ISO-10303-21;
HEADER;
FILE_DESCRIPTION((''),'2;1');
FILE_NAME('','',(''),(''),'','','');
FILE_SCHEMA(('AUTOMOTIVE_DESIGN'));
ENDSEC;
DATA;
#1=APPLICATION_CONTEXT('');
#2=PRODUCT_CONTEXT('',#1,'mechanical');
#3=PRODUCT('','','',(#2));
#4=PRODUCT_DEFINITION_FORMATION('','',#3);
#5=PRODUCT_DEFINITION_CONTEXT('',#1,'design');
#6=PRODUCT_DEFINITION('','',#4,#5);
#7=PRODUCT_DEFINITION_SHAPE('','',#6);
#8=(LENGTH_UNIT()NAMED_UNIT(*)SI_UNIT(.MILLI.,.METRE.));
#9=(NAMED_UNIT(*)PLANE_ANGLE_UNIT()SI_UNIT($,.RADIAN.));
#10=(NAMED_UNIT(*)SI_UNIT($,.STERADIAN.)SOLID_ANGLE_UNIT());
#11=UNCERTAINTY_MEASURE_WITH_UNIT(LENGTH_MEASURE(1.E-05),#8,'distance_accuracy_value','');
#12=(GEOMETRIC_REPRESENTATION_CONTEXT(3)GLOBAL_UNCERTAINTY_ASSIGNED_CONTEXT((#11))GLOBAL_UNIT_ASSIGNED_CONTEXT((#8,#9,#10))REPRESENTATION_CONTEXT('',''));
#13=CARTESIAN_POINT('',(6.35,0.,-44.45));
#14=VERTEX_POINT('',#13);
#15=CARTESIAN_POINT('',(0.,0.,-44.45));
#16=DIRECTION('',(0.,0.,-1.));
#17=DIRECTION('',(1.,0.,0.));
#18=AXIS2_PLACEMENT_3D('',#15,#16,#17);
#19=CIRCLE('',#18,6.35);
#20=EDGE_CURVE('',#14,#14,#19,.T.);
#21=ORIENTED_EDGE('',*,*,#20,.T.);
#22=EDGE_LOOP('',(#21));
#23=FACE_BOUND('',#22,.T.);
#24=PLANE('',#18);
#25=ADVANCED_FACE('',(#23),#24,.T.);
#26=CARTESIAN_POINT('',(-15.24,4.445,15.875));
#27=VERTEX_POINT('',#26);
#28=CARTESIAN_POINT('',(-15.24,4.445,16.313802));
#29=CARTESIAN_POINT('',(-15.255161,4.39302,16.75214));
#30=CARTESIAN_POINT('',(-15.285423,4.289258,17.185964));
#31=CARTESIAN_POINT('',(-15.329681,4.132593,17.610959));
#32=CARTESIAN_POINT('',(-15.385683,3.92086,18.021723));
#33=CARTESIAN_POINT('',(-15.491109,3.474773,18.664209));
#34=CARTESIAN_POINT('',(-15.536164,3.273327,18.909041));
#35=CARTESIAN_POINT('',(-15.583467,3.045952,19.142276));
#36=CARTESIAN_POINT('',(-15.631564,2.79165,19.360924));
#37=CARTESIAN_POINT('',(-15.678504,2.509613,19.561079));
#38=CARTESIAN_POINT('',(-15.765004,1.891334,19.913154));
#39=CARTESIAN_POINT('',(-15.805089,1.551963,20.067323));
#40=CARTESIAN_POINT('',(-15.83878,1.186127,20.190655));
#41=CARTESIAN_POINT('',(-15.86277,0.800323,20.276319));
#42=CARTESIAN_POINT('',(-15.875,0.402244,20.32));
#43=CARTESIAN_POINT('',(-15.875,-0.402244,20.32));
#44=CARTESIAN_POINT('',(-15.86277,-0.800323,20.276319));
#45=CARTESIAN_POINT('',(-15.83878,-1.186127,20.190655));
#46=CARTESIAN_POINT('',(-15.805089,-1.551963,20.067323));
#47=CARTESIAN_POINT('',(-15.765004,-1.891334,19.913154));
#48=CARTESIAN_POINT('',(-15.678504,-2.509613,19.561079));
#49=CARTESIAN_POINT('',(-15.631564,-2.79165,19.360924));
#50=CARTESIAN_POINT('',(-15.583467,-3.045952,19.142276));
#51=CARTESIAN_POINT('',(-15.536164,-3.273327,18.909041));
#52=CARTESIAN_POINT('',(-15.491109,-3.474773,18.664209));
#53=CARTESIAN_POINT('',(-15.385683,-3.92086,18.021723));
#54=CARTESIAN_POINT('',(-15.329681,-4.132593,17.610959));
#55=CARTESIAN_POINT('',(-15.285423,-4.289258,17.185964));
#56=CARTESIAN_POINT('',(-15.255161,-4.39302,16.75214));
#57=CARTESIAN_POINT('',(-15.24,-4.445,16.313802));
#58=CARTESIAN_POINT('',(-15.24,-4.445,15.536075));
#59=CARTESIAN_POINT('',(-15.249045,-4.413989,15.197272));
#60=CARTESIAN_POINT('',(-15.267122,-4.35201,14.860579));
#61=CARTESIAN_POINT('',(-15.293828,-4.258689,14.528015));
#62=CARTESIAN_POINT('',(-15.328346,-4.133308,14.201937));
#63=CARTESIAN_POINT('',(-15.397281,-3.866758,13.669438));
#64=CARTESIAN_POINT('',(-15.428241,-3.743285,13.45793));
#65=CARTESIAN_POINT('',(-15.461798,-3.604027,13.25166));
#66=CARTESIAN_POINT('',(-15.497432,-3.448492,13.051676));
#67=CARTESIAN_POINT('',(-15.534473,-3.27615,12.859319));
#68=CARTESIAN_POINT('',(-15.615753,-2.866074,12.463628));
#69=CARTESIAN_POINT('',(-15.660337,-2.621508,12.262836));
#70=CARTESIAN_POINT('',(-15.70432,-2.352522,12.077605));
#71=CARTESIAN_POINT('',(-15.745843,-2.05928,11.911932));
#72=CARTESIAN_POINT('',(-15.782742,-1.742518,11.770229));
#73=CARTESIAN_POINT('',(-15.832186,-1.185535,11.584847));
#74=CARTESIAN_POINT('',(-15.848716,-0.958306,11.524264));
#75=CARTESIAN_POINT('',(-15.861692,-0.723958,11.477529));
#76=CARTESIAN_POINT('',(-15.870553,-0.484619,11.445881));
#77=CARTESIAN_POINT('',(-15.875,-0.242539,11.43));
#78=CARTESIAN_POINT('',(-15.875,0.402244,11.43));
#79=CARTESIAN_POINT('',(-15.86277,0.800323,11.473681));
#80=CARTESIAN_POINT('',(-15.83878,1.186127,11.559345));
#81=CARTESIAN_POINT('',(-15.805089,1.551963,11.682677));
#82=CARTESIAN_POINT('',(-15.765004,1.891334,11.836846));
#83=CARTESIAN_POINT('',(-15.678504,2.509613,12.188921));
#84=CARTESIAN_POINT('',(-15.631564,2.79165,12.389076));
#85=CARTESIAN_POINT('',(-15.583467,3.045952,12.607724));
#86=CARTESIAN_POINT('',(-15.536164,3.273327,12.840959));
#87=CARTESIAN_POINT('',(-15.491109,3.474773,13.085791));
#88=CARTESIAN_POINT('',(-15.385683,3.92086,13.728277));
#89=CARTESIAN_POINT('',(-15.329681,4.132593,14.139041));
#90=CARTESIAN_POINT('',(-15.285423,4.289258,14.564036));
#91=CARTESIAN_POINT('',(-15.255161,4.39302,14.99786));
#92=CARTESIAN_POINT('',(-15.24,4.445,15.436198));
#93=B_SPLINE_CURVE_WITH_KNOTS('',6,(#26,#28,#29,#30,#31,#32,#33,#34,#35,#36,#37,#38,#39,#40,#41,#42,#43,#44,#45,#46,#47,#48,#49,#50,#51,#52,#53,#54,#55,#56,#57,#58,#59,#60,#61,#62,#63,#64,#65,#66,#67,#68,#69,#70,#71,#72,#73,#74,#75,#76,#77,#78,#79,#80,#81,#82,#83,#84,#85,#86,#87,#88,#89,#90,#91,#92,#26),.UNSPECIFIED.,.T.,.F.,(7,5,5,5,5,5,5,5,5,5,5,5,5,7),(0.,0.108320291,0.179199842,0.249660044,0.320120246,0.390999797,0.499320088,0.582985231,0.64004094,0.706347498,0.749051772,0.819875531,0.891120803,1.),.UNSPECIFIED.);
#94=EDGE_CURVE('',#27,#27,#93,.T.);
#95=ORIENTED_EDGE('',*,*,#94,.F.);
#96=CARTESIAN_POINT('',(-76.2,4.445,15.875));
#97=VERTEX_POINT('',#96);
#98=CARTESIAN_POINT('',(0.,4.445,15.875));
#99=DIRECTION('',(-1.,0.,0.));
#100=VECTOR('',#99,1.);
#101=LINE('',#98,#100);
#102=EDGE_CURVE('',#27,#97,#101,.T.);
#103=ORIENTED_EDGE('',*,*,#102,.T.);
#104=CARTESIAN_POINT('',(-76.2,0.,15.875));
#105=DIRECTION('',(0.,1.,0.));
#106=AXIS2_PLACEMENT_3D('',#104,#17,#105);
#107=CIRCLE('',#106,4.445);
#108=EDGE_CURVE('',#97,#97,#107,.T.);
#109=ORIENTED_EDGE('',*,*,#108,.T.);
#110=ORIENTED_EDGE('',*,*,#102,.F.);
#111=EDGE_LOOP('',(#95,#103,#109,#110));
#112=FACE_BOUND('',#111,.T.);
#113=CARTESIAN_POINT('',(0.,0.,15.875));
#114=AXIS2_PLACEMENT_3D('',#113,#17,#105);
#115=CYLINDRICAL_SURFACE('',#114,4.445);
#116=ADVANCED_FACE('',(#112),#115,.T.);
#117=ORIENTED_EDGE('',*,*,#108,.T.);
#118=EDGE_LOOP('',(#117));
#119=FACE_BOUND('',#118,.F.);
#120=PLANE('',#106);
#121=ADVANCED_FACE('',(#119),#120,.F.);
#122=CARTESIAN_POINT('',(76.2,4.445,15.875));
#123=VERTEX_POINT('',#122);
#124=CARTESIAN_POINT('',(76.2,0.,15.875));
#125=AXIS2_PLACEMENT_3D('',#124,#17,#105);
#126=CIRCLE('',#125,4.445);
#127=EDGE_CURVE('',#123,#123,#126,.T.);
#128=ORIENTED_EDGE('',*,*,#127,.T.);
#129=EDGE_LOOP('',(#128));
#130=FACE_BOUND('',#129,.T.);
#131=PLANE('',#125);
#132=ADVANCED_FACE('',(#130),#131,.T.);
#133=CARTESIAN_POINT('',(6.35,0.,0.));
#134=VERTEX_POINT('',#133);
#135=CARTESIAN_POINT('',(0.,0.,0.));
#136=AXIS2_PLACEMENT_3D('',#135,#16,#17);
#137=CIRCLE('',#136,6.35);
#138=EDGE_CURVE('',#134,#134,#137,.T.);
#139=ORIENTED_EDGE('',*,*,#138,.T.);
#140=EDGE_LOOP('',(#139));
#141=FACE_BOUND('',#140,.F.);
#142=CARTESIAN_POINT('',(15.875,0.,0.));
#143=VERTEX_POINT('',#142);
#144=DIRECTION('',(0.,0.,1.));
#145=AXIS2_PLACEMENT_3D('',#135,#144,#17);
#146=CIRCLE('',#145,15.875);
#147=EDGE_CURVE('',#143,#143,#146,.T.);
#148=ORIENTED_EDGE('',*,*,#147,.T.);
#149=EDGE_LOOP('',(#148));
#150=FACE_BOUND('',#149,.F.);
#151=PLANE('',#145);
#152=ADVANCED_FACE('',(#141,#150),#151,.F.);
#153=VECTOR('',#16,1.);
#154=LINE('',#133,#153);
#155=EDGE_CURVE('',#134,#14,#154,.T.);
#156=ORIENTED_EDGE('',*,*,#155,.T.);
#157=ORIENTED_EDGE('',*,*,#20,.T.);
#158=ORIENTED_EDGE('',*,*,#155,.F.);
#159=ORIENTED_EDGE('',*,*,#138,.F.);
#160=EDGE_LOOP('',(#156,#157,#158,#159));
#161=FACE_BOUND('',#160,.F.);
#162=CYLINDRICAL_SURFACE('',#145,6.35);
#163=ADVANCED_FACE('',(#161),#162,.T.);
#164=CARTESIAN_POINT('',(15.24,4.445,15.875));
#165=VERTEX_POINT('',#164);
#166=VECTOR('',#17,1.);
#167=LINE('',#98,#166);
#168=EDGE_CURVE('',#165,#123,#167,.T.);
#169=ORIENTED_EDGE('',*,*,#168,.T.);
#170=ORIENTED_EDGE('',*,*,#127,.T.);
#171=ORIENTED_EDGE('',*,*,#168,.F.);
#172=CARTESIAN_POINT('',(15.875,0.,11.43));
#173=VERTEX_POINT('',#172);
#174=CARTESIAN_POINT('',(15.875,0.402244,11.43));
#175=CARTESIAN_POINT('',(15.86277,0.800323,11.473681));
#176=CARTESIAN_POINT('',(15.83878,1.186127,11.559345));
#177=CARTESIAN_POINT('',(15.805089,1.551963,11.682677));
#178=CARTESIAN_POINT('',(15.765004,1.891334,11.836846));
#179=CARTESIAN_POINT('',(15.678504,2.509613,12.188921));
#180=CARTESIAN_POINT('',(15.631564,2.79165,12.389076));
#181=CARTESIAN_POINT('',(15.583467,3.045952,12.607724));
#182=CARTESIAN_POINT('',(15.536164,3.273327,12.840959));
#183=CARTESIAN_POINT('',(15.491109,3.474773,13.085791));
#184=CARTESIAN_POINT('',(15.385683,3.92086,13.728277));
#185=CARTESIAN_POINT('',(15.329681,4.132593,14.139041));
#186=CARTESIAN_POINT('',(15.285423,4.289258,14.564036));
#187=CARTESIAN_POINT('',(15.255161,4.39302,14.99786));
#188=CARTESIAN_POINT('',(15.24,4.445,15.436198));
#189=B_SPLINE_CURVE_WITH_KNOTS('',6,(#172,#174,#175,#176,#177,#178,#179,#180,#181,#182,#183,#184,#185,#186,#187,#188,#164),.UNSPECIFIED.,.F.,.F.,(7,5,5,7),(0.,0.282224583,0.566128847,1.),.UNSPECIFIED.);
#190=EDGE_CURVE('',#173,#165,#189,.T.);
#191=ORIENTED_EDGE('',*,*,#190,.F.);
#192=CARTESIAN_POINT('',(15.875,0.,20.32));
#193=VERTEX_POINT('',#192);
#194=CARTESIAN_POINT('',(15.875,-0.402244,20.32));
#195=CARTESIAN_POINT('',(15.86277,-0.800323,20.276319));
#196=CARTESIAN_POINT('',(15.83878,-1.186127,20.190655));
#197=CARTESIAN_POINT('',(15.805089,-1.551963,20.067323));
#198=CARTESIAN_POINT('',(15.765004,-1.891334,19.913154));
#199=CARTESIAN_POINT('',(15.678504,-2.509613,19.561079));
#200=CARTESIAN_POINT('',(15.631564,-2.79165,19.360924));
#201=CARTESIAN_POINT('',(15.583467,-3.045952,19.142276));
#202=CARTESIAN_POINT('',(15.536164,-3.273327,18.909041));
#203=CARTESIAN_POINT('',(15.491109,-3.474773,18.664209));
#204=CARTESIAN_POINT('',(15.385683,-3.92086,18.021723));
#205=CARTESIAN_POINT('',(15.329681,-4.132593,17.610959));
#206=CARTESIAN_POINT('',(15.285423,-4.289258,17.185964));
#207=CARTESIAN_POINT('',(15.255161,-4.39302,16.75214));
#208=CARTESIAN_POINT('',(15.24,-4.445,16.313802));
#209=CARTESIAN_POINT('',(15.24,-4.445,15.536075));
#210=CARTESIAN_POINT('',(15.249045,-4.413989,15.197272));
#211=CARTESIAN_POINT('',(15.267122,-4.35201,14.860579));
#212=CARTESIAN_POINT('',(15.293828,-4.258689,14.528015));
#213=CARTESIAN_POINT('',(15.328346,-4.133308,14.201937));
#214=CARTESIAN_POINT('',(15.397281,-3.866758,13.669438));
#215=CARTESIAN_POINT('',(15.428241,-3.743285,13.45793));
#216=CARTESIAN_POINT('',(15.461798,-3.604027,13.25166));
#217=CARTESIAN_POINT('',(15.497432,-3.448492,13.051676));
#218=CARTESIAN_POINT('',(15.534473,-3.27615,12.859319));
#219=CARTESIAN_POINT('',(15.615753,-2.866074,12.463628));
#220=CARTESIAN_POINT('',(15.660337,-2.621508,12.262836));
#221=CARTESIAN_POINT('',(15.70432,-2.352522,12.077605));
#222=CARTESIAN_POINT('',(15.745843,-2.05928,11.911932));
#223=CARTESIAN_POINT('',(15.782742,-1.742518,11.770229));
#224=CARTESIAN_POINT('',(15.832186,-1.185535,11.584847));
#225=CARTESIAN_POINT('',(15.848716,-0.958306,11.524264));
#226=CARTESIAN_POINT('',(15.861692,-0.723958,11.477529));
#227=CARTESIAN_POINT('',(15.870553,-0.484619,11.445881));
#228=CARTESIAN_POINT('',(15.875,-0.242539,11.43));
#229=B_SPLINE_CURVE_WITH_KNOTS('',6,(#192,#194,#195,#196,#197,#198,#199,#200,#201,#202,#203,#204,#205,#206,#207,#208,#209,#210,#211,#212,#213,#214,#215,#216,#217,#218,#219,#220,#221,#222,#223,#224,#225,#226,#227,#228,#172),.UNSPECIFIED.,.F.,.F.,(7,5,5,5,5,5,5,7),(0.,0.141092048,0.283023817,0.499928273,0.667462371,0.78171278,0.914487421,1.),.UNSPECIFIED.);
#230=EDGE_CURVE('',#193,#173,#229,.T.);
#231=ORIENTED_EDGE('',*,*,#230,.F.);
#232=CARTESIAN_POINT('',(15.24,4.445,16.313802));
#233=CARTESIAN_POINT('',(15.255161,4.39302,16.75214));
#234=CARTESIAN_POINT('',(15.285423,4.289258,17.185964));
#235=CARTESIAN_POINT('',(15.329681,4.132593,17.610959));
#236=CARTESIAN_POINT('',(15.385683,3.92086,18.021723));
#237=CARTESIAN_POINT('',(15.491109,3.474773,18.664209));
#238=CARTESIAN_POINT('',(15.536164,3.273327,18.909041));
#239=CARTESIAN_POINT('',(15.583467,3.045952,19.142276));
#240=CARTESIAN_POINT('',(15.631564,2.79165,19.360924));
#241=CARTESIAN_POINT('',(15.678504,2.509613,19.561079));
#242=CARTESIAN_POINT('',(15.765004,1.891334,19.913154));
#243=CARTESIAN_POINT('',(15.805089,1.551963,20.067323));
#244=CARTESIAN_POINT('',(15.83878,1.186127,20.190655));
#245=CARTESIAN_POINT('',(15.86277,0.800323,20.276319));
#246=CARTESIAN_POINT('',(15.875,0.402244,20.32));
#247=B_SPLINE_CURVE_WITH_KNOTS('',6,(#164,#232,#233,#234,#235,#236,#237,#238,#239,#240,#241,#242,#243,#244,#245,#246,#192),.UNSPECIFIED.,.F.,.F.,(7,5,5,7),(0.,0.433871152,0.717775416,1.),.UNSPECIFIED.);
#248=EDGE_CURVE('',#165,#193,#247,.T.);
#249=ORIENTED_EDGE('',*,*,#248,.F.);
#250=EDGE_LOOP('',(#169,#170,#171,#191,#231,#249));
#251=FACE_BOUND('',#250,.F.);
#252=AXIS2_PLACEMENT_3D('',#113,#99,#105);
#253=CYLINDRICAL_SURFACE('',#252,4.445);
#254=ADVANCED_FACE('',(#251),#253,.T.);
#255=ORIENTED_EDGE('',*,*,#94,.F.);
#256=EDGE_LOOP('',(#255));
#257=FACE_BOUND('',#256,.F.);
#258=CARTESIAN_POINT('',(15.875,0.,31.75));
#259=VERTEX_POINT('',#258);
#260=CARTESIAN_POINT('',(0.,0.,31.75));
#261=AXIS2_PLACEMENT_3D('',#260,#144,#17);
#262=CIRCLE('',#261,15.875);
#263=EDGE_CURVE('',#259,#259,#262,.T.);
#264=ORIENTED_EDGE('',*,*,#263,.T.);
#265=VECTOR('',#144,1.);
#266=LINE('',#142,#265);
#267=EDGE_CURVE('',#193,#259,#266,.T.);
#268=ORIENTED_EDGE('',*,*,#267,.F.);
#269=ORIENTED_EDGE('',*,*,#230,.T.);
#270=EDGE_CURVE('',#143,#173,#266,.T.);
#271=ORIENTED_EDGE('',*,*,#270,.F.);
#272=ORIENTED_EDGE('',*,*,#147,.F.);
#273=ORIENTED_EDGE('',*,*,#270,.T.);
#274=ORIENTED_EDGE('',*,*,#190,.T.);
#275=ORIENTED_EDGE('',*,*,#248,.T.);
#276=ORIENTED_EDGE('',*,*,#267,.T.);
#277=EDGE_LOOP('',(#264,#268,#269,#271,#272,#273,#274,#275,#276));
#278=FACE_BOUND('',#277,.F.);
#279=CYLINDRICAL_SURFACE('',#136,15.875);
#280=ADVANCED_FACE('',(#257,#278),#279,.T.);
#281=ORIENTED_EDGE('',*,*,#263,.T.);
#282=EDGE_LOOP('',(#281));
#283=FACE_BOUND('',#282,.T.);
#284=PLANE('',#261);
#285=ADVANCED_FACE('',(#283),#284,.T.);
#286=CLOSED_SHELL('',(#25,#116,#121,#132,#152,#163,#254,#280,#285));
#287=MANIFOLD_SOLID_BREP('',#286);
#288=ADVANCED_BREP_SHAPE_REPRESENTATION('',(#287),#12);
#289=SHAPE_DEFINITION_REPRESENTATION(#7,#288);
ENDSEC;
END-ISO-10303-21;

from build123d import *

# Parameters (mm, degrees)
F0_R          = 15.875
F1_DEPTH      = 31.75
F2_R          = 6.35
F3_DEPTH      = 44.45
F4_R          = 4.445
F5_DEPTH      = 76.2
F5_DEPTH_BACK = 76.2


with BuildPart() as f1:
    # F0 (on Top) → F1 (new body)
    with BuildSketch(Plane.XY):
        Circle(F0_R)
    extrude(amount=F1_DEPTH)

    # F2 (on face) → F3 (join)
    with BuildSketch(Plane(origin=(0, 0, 0), x_dir=(1, 0, 0), z_dir=(0, 0, -1))):
        Circle(F2_R)
    extrude(amount=F3_DEPTH)

    # F4 (on Right) → F5 (join, two sides)
    with BuildSketch(Plane.YZ) as f5_sk:
        with Locations((0, 15.875)):
            Circle(F4_R)
    extrude(amount=F5_DEPTH)
    extrude(f5_sk.sketch, amount=-F5_DEPTH_BACK)


solid = f1.part
